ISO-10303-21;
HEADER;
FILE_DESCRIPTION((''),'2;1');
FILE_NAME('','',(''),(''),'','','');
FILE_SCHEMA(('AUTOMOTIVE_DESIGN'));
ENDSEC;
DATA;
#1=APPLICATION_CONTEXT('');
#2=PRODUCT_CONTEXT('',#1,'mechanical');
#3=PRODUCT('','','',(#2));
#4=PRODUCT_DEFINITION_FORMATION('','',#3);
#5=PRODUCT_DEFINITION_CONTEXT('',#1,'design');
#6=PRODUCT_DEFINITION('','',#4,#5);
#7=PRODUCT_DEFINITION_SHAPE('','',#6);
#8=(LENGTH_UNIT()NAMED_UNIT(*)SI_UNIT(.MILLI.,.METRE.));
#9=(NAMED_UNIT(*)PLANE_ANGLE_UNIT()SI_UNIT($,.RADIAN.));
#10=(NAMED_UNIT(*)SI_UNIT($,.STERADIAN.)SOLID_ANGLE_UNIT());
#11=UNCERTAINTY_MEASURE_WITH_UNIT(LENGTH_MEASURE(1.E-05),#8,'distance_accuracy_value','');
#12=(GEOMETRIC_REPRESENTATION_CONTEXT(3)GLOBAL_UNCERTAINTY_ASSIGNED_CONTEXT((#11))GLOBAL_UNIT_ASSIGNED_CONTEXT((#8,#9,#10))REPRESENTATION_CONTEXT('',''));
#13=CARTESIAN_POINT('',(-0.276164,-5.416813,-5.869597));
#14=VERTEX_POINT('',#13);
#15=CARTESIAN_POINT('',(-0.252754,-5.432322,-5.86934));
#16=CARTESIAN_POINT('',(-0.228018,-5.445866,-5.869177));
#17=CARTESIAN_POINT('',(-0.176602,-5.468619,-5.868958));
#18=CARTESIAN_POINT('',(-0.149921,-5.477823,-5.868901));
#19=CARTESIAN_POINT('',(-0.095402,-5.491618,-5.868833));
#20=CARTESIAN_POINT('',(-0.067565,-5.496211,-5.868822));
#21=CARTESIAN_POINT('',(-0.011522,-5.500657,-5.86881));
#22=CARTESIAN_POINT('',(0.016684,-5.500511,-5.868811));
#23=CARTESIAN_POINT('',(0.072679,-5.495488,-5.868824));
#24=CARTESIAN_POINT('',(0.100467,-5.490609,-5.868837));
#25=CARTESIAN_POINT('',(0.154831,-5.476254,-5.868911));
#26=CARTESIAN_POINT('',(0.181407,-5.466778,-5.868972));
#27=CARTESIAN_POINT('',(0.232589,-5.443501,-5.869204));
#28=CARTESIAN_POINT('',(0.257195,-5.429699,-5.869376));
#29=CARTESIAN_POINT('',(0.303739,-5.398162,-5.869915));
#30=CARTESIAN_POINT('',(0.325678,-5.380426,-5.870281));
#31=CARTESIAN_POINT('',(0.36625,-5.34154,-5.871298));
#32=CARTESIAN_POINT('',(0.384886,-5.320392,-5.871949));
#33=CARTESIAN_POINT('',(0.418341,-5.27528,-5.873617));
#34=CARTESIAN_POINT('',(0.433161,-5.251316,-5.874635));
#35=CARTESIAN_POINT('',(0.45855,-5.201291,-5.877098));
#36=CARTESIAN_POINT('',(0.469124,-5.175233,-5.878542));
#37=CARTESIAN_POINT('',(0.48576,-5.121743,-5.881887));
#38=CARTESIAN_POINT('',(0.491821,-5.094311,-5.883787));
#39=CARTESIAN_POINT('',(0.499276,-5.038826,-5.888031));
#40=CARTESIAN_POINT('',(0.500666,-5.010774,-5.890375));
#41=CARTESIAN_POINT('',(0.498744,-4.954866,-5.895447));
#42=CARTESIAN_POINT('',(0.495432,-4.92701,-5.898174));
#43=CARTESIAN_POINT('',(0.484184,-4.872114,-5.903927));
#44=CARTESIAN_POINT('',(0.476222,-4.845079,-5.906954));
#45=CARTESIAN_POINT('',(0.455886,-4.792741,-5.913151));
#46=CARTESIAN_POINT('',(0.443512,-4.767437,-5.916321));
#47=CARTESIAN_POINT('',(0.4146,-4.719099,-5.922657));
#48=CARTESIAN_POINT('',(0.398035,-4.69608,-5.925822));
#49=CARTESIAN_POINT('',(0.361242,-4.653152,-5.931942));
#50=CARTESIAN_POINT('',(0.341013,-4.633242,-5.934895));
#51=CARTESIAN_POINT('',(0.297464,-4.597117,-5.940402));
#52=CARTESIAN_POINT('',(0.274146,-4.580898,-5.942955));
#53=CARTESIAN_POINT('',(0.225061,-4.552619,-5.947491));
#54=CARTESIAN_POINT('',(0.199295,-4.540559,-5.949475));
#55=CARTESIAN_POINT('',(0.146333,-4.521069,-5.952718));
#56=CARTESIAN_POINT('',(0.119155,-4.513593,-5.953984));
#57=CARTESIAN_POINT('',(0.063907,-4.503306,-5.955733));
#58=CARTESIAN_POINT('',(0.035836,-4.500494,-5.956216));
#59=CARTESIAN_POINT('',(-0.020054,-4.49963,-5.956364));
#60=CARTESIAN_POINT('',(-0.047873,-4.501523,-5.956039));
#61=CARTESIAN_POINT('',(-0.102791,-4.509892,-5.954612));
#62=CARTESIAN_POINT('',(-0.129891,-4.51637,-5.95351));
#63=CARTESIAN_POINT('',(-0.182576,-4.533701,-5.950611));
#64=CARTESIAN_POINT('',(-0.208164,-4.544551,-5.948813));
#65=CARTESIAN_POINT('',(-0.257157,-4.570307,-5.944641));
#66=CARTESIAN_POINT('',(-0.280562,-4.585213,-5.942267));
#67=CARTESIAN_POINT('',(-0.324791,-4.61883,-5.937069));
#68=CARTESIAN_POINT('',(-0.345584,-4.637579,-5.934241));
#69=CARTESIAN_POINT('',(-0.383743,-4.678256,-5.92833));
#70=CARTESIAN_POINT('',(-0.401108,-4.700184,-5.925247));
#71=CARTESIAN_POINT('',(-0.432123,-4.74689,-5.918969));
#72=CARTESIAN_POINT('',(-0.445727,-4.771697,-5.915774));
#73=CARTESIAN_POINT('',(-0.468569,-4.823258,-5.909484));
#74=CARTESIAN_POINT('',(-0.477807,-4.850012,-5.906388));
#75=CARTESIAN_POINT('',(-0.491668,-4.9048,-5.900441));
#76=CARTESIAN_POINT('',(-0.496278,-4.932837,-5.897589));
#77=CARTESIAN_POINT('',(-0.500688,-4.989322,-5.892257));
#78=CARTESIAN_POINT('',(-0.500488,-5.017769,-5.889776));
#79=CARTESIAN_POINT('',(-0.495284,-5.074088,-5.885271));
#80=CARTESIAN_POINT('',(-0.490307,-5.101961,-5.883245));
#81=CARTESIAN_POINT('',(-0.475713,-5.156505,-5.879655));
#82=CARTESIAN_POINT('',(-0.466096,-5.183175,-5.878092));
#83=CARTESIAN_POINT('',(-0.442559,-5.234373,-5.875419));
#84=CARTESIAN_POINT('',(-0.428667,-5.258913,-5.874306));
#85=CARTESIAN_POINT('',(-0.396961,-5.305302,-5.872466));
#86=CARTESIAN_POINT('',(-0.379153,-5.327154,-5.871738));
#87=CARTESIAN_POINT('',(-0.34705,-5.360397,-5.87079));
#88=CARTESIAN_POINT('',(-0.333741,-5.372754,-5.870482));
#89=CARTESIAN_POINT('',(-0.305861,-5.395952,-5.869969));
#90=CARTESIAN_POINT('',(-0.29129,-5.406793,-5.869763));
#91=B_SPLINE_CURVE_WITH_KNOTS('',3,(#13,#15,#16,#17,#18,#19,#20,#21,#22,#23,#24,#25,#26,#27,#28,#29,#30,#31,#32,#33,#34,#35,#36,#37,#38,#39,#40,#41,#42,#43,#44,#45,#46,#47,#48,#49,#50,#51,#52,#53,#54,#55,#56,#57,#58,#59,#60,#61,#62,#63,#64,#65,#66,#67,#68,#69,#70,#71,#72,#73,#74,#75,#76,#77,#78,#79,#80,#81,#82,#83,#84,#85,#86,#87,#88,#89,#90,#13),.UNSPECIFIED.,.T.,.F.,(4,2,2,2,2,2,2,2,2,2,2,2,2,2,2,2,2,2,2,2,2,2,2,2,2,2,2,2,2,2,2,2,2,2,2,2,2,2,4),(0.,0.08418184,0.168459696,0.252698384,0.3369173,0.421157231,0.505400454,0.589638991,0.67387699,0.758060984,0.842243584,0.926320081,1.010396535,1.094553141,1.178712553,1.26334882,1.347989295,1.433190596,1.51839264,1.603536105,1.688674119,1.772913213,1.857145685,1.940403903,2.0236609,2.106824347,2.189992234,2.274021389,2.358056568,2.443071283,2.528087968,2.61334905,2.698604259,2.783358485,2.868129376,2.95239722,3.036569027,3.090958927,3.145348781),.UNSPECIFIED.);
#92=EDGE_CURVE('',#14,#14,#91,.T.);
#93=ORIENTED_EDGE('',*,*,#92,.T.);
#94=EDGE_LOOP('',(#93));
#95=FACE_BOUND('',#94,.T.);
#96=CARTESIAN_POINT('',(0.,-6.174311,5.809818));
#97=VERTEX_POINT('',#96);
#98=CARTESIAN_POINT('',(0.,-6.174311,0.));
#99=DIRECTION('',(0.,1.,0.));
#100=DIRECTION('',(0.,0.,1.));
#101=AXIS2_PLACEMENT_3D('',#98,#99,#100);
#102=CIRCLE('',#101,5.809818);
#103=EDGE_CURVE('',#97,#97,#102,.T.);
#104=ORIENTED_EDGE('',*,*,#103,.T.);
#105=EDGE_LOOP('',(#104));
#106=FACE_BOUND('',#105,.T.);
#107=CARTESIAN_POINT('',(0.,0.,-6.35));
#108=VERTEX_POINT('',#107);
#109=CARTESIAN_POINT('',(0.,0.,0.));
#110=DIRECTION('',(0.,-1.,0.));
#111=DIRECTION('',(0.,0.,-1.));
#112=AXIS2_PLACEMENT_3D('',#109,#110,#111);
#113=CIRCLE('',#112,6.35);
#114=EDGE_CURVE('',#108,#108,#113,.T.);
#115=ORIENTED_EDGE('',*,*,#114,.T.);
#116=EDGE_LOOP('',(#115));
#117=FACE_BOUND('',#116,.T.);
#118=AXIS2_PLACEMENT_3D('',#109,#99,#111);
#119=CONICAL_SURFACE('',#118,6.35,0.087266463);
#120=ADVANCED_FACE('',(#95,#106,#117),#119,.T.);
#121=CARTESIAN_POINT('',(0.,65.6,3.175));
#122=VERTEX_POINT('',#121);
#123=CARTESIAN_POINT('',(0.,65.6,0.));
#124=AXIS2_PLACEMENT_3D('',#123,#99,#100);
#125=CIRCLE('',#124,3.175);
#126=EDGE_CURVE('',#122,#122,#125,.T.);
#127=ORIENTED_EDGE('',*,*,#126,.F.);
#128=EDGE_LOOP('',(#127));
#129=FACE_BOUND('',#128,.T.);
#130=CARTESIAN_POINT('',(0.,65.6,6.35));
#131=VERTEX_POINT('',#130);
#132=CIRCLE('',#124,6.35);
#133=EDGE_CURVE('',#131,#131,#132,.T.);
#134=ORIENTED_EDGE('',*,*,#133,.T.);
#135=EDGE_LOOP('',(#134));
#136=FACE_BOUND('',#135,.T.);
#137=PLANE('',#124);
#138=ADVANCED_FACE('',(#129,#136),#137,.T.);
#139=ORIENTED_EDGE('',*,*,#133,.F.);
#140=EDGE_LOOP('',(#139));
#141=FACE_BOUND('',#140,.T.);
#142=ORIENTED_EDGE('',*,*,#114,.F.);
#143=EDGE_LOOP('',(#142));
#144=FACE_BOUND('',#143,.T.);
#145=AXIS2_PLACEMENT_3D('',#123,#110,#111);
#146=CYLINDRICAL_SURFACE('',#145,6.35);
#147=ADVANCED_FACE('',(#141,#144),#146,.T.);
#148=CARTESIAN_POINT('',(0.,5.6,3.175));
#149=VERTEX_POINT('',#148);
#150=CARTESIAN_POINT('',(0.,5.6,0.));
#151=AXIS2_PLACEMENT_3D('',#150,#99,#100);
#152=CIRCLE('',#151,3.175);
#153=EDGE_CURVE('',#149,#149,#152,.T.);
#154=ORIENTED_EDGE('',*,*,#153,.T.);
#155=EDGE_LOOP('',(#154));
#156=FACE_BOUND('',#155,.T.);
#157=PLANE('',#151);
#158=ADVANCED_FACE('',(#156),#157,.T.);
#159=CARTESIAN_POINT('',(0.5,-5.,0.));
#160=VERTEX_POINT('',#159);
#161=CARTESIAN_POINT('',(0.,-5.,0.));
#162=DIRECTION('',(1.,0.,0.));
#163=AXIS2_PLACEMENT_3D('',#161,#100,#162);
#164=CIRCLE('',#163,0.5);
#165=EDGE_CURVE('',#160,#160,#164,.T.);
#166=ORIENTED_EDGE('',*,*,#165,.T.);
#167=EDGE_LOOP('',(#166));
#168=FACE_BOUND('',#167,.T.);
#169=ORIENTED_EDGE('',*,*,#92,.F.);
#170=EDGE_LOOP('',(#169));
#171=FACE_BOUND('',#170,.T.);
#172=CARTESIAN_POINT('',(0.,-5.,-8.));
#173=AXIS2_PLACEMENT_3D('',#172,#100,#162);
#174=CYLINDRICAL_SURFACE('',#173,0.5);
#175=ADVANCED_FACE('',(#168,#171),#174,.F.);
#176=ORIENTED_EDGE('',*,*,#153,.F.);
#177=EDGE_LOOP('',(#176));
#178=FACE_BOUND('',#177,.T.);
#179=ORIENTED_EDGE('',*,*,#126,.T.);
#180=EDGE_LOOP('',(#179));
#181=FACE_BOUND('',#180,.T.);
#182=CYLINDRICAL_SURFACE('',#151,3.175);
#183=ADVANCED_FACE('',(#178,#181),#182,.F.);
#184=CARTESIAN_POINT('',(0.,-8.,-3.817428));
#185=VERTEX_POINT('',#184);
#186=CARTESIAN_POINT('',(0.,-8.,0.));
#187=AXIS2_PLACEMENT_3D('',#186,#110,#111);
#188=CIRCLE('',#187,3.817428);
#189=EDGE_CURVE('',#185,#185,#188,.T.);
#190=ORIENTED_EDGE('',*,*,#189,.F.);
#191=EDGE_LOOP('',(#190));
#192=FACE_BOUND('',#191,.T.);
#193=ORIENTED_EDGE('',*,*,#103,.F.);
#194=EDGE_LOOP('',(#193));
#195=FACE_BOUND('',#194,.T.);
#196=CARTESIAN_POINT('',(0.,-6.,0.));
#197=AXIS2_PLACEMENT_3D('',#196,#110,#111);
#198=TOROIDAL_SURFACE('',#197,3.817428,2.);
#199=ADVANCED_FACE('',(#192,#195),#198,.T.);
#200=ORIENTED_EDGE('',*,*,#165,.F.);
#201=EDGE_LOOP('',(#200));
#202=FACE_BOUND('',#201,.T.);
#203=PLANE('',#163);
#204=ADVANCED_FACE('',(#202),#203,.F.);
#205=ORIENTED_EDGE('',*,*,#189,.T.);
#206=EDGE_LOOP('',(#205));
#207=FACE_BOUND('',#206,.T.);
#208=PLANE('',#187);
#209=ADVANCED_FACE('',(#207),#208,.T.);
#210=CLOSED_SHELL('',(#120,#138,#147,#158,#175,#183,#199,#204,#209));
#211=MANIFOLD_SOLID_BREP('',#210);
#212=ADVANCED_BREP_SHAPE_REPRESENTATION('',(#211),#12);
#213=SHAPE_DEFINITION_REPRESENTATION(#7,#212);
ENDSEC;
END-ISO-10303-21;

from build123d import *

# Parameters (mm, degrees)
SKETCH1_R           = 6.35
BOSS_EXTRUDE1_DEPTH = 65.6
SKETCH2_R           = 3.175
INNER_CHAMBER_DEPTH = 60
SKETCH4_R           = 6.35
HEAD_DEPTH          = 8
HEAD_TAPER          = 5
FILLET1_R           = 2
SKETCH5_R           = 0.5
CUT_EXTRUDE2_DEPTH  = 8


with BuildPart() as part:
    # Sketch1 → Boss-Extrude1 (new body)
    with BuildSketch(Plane(origin=(0, 0, 0), x_dir=(1, 0, 0), z_dir=(0, 1, 0))):
        with Locations(Location((0, 0, 0), (0, 0, 270))):
            Circle(SKETCH1_R)
    extrude(amount=BOSS_EXTRUDE1_DEPTH)

    # Sketch2 → Inner Chamber (cut)
    with BuildSketch(Plane(origin=(0, 65.6, 0), x_dir=(1, 0, 0), z_dir=(0, 1, 0))):
        with Locations(Location((0, 0, 0), (0, 0, 270))):
            Circle(SKETCH2_R)
    extrude(amount=-INNER_CHAMBER_DEPTH, mode=Mode.SUBTRACT)

    # Sketch4 → Head (add)
    with BuildSketch(Plane.XZ):
        with Locations(Location((0, 0, 0), (0, 0, 270))):
            Circle(SKETCH4_R)
    extrude(amount=HEAD_DEPTH, taper=HEAD_TAPER)

    # Fillet1
    fillet1_edges = [part.edges().sort_by_distance(p)[0] for p in [
        (0, -8, 5.650090692),
    ]]
    fillet(fillet1_edges, radius=FILLET1_R)

    # Sketch5 → Cut-Extrude2 (cut)
    with BuildSketch(Plane.XY):
        with Locations((0, -5)):
            Circle(SKETCH5_R)
    extrude(amount=-CUT_EXTRUDE2_DEPTH, mode=Mode.SUBTRACT)


solid = part.part
